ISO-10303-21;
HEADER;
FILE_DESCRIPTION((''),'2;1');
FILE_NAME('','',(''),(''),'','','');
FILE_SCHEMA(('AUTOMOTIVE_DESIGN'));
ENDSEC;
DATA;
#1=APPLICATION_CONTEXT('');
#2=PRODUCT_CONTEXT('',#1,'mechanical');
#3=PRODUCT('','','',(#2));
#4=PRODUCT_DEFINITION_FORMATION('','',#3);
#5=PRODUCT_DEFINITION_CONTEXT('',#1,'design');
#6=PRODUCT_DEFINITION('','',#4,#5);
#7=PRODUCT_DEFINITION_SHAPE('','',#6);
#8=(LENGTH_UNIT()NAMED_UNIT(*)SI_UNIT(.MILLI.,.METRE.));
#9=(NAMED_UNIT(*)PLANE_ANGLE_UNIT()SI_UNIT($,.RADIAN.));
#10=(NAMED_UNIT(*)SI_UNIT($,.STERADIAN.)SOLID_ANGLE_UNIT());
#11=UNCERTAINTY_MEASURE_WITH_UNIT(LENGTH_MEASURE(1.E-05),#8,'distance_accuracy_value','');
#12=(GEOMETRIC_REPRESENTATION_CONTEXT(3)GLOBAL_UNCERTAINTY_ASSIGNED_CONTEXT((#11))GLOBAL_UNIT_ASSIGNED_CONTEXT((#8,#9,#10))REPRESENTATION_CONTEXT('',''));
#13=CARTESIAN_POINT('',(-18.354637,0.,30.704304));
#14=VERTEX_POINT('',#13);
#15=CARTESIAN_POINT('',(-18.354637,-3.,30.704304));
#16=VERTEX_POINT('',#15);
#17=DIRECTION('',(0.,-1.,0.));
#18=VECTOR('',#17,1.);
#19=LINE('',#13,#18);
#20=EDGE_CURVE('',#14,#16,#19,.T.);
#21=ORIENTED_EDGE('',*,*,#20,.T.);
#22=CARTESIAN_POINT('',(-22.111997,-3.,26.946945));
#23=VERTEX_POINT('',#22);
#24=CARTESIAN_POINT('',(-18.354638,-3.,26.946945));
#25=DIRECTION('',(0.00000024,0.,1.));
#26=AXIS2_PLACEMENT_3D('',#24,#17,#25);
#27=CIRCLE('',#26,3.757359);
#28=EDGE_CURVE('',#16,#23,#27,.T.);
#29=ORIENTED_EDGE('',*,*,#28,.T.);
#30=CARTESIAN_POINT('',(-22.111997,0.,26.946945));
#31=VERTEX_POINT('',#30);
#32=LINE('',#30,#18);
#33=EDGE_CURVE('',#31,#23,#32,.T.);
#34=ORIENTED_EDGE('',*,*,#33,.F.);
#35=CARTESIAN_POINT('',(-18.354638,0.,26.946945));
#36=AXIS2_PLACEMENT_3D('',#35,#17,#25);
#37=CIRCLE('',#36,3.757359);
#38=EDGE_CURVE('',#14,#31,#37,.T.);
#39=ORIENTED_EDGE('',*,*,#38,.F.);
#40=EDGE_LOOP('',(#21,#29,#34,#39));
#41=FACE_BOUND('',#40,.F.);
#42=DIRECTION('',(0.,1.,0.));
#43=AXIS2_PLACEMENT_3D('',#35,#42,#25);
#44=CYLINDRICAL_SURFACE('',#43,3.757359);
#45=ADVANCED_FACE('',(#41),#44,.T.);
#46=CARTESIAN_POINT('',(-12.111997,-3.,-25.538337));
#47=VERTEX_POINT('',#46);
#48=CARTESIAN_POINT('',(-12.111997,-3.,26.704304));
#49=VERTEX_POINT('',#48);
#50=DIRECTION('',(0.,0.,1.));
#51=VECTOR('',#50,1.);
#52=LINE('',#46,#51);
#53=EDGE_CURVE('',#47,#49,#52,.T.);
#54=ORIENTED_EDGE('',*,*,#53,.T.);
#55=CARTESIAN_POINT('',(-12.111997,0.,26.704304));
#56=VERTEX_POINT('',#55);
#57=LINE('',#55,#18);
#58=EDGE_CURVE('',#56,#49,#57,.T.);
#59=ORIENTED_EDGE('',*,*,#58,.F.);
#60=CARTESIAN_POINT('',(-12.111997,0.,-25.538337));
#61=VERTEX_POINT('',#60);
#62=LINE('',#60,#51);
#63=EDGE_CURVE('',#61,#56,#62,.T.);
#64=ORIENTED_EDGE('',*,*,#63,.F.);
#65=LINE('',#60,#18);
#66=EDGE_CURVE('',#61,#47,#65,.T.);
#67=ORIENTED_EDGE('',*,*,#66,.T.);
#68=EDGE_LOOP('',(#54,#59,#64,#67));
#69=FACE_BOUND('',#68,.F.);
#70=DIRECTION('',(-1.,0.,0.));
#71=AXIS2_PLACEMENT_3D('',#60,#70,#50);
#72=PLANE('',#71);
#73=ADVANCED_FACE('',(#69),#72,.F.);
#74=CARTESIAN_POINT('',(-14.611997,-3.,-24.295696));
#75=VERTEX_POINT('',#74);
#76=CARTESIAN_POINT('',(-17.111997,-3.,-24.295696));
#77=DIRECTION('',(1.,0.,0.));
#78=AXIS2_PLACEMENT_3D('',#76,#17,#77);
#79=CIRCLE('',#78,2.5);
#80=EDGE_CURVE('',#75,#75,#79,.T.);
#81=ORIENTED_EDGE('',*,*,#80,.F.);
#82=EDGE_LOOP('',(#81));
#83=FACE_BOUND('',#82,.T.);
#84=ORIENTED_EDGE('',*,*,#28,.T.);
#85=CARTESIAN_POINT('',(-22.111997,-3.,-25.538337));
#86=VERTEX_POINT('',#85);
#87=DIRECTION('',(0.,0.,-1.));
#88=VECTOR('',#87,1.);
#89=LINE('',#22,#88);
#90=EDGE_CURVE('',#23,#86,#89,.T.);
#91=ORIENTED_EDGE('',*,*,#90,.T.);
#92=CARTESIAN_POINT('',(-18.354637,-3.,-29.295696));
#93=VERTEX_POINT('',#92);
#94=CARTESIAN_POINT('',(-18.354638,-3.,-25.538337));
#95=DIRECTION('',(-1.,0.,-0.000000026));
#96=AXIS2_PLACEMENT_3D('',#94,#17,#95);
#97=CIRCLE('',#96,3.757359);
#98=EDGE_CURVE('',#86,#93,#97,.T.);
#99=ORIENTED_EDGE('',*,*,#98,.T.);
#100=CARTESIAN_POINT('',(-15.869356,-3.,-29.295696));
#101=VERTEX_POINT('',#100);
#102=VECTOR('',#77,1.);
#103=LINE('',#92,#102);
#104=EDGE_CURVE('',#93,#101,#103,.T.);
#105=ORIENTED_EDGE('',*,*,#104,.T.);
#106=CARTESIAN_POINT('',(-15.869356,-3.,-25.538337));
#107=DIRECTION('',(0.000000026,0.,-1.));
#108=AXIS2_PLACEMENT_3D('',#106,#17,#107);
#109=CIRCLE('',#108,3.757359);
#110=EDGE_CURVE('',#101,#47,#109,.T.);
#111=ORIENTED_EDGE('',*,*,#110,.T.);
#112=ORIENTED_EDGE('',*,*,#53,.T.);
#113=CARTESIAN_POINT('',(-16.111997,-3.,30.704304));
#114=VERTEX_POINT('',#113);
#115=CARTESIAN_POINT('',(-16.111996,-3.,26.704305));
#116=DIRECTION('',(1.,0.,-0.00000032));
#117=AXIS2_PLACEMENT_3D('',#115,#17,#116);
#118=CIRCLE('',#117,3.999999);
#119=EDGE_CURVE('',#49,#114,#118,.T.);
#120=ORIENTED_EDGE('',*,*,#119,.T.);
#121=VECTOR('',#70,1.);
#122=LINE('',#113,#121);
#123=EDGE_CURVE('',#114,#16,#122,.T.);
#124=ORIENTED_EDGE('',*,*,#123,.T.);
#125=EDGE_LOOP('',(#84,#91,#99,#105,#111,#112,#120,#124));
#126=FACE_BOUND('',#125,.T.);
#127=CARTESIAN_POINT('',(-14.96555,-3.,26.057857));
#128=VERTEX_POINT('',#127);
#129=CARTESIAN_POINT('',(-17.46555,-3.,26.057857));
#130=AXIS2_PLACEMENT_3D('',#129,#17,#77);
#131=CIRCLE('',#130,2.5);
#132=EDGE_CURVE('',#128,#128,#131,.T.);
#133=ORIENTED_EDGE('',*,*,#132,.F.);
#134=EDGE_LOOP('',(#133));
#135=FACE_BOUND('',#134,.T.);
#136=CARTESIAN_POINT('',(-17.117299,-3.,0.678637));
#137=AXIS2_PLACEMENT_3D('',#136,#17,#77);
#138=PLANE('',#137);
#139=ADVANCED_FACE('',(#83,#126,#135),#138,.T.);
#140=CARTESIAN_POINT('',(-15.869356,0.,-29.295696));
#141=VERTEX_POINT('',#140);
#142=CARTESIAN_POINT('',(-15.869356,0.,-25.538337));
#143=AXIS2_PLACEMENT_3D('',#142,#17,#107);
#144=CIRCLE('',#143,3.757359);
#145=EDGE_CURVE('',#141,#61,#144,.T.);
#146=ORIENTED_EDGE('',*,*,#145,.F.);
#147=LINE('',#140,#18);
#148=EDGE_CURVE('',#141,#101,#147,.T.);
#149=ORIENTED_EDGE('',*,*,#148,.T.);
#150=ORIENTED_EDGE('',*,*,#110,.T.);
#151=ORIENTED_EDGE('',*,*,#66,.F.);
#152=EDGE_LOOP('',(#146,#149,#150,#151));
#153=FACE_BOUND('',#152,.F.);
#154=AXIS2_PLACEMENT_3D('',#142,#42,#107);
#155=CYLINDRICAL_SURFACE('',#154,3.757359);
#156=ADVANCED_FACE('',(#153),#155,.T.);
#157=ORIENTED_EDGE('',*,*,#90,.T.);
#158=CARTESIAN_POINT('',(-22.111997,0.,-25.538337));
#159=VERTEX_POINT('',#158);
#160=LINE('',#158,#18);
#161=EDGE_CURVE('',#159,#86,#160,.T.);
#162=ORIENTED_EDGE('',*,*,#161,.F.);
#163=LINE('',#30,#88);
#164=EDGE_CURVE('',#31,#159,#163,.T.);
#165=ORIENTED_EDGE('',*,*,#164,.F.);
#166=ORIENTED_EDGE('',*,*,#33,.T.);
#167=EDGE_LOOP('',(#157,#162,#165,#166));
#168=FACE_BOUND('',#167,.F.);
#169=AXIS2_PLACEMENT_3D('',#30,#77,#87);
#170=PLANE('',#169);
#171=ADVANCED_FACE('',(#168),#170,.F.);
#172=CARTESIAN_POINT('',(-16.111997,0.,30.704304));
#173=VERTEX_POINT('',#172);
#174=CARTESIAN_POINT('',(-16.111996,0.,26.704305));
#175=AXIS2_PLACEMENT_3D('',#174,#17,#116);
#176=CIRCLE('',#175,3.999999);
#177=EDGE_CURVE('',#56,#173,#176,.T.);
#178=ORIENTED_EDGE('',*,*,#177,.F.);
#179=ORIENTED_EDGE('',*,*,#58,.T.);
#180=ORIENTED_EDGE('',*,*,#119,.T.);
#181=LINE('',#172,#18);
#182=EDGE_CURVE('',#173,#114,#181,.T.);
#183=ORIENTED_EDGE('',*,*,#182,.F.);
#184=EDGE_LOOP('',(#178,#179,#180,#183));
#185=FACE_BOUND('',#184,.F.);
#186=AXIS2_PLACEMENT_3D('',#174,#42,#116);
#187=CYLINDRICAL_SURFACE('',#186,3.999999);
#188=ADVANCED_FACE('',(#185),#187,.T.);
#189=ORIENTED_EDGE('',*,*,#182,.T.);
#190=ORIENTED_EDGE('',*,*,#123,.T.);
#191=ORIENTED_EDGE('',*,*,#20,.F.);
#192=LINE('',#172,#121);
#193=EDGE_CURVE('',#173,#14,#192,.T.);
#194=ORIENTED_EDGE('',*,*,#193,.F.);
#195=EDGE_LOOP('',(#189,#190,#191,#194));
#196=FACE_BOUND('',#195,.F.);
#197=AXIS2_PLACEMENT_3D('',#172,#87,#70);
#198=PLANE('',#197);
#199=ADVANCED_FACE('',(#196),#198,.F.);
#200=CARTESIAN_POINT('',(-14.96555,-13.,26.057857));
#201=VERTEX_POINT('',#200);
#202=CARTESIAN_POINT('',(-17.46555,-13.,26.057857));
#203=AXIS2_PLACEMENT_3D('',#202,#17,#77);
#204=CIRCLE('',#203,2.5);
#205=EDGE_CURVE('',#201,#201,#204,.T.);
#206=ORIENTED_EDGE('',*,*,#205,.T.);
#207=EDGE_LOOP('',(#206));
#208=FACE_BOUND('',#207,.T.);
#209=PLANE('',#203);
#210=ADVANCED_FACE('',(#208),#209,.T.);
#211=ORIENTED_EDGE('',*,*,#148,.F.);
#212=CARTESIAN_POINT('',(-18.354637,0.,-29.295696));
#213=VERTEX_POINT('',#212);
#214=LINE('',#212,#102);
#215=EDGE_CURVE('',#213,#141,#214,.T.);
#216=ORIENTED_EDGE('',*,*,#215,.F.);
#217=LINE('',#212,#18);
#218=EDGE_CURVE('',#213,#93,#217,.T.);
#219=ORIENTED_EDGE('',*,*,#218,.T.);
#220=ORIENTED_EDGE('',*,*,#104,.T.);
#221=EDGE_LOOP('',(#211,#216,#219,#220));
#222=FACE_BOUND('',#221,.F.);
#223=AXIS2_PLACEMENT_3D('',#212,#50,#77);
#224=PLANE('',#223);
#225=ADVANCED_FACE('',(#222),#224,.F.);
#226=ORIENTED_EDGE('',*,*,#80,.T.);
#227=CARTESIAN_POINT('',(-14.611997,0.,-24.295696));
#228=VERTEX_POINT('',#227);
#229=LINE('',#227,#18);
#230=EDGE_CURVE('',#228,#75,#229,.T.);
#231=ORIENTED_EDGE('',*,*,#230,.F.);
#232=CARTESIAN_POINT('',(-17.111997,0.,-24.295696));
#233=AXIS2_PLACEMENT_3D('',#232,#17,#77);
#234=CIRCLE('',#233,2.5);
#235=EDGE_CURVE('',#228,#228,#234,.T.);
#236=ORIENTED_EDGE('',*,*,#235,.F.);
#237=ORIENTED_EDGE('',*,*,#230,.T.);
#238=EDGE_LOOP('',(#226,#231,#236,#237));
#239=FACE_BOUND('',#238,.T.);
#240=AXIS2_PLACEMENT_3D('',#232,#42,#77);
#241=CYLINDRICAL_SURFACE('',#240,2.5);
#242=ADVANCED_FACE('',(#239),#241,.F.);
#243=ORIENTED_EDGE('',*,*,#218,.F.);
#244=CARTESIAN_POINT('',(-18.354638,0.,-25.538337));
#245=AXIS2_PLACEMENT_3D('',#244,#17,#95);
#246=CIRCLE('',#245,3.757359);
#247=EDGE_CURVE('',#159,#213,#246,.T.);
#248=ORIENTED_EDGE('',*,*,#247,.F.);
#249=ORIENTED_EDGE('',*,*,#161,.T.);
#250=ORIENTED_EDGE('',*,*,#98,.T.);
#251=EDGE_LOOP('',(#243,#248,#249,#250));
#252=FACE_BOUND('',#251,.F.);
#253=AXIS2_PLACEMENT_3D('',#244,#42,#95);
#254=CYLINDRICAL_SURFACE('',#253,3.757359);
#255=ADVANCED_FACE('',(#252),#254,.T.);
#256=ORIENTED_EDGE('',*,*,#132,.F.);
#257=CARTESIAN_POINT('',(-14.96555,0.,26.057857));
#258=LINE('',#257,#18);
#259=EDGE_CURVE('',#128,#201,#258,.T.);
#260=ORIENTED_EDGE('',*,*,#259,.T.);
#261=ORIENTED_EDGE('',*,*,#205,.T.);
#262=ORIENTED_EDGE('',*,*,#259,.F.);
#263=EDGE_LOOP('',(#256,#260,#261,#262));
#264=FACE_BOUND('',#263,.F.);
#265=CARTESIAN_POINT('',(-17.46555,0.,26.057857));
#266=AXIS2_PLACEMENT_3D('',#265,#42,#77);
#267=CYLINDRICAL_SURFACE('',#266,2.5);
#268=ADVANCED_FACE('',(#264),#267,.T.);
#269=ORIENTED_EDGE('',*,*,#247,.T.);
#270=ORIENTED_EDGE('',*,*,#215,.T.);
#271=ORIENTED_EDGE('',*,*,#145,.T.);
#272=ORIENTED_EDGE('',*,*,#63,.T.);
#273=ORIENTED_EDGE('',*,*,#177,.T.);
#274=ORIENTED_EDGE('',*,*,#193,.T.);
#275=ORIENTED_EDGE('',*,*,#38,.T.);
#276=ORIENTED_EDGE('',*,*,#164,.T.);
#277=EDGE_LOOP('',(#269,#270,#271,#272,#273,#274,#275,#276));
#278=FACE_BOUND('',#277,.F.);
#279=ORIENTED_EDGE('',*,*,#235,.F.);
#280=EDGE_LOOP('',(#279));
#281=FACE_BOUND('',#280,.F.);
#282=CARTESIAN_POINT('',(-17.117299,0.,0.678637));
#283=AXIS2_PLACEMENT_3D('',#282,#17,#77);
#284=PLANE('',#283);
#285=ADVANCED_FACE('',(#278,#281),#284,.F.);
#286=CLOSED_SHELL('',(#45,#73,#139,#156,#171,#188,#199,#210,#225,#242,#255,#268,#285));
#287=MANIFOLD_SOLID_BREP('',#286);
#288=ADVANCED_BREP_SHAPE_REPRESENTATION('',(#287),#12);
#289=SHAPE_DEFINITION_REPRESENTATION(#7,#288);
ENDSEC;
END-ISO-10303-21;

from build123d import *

# Parameters (mm, degrees)
F0_R     = 2.5
F1_DEPTH = 3
F2_DEPTH = 13


with BuildPart() as f1:
    # F0 (on Front) → F1 (new body)
    with BuildSketch(Plane.XZ):
        with BuildLine():
            Line((-16.111997, 30.704304), (-18.354637, 30.704304))
            ThreePointArc((-18.354637, 30.704304), (-21.011492, 29.603799), (-22.111997, 26.946945))
            Line((-22.111997, 26.946945), (-22.111997, -25.538337))
            ThreePointArc((-22.111997, -25.538337), (-21.011492, -28.195191), (-18.354637, -29.295696))
            Line((-18.354637, -29.295696), (-15.869356, -29.295696))
            ThreePointArc((-15.869356, -29.295696), (-13.212502, -28.195191), (-12.111997, -25.538337))
            Line((-12.111997, -25.538337), (-12.111997, 26.704304))
            ThreePointArc((-12.111997, 26.704304), (-13.283569, 29.532731), (-16.111997, 30.704304))
        make_face()
        with Locations((-17.111997, -24.295696)):
            Circle(F0_R, mode=Mode.SUBTRACT)
        with Locations((-17.46555, 26.057857)):
            Circle(F0_R, mode=Mode.SUBTRACT)
    extrude(amount=F1_DEPTH)

    # F0 (on Front) → F2 (join)
    with BuildSketch(Plane.XZ):
        with Locations((-17.46555, 26.057857)):
            Circle(F0_R)
    extrude(amount=F2_DEPTH)


solid = f1.part
